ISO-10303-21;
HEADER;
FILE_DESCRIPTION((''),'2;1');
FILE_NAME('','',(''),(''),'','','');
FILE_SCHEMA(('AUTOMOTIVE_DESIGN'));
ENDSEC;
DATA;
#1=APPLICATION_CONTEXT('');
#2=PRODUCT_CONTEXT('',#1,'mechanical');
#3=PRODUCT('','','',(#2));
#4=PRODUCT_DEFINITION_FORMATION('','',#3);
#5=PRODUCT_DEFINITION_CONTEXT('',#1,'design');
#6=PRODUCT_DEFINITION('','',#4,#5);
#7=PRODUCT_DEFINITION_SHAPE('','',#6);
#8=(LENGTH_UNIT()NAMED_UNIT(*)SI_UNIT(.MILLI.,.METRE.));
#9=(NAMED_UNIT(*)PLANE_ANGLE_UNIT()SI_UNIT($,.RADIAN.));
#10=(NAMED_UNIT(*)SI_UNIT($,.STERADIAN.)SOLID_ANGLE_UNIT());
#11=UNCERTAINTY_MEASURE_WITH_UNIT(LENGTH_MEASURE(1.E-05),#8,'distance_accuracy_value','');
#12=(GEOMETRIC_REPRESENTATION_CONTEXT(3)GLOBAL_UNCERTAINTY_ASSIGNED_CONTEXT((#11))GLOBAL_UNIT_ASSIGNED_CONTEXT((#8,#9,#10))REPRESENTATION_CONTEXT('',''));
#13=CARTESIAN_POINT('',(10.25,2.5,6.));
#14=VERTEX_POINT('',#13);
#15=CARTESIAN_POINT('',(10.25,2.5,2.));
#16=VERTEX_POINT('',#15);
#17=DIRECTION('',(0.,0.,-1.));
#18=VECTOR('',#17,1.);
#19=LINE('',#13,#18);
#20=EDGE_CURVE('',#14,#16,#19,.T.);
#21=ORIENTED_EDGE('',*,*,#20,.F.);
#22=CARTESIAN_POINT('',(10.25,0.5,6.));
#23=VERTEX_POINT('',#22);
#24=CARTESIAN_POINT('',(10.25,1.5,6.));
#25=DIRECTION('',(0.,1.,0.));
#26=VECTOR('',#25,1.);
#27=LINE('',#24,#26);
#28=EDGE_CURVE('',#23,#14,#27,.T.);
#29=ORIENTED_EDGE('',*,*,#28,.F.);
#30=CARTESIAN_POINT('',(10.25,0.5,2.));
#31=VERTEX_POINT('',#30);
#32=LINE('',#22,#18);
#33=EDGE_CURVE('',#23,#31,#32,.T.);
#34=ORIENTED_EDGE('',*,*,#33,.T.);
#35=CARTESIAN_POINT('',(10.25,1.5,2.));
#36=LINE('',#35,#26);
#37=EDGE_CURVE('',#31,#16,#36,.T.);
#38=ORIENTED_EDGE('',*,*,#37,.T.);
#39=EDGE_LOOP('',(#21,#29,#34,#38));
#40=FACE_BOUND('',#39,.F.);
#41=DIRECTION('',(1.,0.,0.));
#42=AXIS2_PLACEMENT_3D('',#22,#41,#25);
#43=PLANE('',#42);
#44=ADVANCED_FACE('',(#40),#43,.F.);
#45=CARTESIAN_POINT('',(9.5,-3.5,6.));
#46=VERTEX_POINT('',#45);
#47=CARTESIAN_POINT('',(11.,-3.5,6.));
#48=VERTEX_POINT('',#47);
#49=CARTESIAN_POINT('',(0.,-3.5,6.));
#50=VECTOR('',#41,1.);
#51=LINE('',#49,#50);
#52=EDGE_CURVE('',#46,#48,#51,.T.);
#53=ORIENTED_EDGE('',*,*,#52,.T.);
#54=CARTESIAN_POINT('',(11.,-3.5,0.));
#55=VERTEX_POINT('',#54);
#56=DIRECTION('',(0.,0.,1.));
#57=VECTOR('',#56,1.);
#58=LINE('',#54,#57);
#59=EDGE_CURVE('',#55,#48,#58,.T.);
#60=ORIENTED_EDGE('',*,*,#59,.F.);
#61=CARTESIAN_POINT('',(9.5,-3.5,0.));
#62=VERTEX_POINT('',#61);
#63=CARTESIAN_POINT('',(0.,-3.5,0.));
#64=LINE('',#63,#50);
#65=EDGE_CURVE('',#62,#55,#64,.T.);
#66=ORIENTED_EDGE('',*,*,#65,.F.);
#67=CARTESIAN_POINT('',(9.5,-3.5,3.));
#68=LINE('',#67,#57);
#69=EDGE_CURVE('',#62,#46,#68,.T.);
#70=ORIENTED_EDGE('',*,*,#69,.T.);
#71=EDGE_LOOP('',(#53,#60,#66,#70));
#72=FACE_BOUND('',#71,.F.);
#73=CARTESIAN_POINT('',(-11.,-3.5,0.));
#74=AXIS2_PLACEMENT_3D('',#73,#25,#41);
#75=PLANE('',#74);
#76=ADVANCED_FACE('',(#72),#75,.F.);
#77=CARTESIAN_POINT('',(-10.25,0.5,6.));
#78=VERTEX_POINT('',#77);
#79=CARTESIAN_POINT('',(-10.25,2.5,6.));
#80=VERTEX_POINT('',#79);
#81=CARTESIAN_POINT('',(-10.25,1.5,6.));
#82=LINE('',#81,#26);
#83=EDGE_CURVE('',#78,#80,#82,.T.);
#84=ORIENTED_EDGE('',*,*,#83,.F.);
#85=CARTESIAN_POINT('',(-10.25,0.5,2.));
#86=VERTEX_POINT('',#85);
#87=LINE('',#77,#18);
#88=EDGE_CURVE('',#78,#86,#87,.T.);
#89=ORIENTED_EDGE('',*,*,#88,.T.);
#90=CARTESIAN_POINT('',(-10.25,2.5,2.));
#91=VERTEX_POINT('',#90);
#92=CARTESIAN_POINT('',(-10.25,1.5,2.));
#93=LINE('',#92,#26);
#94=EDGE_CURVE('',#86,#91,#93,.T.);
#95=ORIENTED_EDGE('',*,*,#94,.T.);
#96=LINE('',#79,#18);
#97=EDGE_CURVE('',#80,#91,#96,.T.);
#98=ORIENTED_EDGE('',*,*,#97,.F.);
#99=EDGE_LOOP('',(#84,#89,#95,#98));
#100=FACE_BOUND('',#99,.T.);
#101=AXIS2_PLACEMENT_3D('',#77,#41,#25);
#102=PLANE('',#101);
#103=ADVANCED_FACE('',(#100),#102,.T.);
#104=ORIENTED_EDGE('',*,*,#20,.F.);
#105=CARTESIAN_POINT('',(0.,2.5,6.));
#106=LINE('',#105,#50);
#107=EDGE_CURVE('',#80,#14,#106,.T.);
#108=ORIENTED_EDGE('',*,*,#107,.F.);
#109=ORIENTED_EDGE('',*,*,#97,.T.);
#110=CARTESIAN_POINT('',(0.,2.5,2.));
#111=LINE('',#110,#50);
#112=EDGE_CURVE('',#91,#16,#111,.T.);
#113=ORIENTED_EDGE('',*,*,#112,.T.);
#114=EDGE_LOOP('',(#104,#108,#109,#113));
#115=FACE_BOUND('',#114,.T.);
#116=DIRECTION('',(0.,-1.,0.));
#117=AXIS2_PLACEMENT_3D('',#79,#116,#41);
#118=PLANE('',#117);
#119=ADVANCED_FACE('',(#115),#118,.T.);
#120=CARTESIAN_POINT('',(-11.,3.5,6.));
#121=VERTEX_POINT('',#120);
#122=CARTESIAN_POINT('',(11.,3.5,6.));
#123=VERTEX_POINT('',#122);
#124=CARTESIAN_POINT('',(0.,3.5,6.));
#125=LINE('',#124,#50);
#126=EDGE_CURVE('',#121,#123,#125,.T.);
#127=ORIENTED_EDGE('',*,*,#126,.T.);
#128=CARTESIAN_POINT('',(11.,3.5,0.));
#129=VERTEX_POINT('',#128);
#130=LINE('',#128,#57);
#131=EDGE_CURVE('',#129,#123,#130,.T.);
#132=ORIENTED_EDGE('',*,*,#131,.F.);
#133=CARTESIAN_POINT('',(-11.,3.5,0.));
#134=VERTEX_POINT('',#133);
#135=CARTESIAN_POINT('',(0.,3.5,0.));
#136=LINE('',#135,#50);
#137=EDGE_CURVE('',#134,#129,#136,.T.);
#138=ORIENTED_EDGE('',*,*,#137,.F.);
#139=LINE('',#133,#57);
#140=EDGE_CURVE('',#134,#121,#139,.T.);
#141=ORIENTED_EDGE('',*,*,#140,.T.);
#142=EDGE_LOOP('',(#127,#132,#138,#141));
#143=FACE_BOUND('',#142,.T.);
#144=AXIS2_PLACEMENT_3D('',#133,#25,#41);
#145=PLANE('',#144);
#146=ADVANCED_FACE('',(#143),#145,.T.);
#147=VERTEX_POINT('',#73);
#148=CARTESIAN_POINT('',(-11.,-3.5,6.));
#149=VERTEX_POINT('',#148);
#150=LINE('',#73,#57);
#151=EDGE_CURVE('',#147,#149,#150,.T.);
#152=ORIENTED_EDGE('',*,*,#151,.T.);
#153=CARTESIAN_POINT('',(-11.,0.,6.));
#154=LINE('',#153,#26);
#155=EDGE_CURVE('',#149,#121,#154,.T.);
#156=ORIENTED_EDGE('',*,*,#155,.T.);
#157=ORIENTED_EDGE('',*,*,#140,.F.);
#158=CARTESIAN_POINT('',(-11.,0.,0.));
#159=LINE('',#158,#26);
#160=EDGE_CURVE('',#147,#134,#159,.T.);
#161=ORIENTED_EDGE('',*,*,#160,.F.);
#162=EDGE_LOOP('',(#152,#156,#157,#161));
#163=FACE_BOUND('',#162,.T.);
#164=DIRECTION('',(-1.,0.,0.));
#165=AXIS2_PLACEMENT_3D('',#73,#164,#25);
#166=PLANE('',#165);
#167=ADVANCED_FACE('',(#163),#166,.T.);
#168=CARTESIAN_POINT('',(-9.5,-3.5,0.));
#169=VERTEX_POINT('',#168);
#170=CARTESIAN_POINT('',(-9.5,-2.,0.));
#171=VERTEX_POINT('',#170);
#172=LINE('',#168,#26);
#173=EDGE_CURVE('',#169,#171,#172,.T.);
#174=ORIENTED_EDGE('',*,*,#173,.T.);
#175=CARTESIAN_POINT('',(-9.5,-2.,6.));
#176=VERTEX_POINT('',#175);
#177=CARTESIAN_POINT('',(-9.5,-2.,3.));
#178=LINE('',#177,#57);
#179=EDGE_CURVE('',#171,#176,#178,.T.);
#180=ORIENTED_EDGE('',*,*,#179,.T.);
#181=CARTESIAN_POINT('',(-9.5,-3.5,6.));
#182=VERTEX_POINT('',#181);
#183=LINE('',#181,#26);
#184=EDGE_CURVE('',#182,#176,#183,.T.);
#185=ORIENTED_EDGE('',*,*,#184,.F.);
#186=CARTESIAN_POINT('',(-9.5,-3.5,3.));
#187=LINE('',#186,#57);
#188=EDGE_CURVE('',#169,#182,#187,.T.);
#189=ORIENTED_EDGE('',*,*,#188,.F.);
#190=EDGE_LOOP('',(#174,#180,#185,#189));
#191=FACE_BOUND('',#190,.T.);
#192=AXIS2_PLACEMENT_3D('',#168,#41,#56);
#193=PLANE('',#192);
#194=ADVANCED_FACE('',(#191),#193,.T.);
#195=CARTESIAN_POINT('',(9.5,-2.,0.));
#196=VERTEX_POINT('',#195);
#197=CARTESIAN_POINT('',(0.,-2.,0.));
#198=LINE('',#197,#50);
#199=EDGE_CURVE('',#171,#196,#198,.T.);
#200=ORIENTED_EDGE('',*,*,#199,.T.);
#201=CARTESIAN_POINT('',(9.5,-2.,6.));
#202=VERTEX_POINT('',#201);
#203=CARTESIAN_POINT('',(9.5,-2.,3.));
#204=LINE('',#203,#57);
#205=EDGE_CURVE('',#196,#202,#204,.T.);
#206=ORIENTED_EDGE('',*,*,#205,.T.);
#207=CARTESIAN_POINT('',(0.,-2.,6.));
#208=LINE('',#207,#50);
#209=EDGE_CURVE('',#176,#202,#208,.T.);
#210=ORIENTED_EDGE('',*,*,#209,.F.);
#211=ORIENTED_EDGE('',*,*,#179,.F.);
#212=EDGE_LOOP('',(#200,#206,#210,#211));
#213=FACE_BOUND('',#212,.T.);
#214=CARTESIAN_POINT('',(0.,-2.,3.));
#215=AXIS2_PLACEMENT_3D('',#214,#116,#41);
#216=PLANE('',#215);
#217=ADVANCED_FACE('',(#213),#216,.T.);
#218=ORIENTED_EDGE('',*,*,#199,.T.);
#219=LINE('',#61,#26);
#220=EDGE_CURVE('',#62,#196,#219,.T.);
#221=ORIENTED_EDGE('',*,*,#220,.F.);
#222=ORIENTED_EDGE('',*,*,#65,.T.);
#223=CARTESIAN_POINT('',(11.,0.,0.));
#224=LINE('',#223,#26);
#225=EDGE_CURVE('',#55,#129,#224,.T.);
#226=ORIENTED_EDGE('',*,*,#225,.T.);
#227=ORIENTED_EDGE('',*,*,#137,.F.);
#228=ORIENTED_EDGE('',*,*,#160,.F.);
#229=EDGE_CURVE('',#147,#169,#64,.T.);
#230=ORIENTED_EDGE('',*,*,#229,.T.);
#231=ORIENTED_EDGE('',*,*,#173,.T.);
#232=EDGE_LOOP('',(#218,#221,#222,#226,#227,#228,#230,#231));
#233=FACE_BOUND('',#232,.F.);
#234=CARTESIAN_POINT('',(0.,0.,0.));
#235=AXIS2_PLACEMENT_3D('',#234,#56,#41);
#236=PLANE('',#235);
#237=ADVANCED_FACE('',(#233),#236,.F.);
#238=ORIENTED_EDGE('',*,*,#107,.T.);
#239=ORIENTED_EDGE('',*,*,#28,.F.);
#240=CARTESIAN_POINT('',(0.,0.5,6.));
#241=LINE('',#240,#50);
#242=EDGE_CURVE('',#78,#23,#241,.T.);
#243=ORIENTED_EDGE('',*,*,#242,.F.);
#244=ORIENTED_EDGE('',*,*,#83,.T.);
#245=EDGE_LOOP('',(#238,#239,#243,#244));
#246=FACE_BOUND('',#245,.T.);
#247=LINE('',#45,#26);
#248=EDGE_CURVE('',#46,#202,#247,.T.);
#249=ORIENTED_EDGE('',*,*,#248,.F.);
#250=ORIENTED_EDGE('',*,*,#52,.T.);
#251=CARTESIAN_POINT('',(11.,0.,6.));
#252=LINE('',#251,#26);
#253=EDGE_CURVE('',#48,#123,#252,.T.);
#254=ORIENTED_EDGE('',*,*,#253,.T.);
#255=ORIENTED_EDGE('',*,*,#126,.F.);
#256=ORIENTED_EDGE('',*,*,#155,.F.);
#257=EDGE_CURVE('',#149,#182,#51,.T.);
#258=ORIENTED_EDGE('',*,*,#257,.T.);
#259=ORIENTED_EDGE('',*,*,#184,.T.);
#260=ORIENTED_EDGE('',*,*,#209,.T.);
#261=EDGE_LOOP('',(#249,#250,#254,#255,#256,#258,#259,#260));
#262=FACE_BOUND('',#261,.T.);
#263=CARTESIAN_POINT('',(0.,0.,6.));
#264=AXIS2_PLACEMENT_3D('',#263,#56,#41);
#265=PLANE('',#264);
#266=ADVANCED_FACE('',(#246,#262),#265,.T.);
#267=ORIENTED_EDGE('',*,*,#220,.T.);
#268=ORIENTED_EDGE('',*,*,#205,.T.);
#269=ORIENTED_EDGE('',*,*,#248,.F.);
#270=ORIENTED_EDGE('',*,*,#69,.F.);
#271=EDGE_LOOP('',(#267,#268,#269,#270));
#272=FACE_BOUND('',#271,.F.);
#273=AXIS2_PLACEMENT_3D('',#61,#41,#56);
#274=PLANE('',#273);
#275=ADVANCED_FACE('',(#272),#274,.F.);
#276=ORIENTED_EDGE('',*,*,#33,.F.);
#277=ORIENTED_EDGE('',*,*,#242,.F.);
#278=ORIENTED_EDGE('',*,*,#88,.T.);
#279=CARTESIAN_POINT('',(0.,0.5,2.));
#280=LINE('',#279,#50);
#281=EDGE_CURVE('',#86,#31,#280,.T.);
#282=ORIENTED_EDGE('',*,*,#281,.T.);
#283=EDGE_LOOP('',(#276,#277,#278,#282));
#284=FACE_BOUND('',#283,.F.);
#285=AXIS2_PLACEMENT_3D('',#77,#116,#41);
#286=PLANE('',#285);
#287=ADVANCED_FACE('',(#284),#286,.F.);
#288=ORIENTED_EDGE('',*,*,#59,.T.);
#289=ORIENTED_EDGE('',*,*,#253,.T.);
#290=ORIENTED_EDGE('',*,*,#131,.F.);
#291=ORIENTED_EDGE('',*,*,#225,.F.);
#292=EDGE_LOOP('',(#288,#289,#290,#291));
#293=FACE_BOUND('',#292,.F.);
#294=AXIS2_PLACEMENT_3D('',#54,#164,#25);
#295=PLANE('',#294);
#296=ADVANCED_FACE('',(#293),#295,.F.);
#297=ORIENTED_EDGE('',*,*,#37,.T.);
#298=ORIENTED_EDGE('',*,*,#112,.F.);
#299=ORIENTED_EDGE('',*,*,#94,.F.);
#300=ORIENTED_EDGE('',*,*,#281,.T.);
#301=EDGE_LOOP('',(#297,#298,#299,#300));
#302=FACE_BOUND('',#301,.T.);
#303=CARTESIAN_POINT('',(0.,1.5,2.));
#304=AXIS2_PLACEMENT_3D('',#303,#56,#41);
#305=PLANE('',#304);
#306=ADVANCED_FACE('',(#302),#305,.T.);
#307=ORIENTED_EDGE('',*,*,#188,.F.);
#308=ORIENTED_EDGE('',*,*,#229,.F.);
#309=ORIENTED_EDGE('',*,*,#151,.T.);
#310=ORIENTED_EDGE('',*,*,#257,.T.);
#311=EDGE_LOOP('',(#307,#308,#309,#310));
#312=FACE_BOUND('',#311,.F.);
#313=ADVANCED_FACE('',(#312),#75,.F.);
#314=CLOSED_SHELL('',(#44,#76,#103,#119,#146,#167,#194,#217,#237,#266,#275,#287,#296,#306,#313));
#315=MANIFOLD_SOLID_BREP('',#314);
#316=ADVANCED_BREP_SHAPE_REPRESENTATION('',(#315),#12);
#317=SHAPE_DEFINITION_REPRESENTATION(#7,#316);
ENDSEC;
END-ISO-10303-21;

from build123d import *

# Parameters (mm, degrees)
F0_W     = 22
F0_H     = 7
F1_DEPTH = 6
F2_W     = 20.5
F2_H     = 2
F3_DEPTH = 4
F4_W     = 19
F4_H     = 6
F5_DEPTH = 1.5


with BuildPart() as f1:
    # F0 (on Top) → F1 (new body)
    with BuildSketch(Plane.XY):
        Rectangle(F0_W, F0_H)
    extrude(amount=F1_DEPTH)

    # F2 (on face) → F3 (cut)
    with BuildSketch(Plane.XY.offset(6)):
        with Locations((0, 1.5)):
            Rectangle(F2_W, F2_H)
    extrude(amount=-F3_DEPTH, mode=Mode.SUBTRACT)

    # F4 (on face) → F5 (cut)
    with BuildSketch(Plane.XZ.offset(3.5)):
        with Locations((0, 3)):
            Rectangle(F4_W, F4_H)
    extrude(amount=-F5_DEPTH, mode=Mode.SUBTRACT)


solid = f1.part
